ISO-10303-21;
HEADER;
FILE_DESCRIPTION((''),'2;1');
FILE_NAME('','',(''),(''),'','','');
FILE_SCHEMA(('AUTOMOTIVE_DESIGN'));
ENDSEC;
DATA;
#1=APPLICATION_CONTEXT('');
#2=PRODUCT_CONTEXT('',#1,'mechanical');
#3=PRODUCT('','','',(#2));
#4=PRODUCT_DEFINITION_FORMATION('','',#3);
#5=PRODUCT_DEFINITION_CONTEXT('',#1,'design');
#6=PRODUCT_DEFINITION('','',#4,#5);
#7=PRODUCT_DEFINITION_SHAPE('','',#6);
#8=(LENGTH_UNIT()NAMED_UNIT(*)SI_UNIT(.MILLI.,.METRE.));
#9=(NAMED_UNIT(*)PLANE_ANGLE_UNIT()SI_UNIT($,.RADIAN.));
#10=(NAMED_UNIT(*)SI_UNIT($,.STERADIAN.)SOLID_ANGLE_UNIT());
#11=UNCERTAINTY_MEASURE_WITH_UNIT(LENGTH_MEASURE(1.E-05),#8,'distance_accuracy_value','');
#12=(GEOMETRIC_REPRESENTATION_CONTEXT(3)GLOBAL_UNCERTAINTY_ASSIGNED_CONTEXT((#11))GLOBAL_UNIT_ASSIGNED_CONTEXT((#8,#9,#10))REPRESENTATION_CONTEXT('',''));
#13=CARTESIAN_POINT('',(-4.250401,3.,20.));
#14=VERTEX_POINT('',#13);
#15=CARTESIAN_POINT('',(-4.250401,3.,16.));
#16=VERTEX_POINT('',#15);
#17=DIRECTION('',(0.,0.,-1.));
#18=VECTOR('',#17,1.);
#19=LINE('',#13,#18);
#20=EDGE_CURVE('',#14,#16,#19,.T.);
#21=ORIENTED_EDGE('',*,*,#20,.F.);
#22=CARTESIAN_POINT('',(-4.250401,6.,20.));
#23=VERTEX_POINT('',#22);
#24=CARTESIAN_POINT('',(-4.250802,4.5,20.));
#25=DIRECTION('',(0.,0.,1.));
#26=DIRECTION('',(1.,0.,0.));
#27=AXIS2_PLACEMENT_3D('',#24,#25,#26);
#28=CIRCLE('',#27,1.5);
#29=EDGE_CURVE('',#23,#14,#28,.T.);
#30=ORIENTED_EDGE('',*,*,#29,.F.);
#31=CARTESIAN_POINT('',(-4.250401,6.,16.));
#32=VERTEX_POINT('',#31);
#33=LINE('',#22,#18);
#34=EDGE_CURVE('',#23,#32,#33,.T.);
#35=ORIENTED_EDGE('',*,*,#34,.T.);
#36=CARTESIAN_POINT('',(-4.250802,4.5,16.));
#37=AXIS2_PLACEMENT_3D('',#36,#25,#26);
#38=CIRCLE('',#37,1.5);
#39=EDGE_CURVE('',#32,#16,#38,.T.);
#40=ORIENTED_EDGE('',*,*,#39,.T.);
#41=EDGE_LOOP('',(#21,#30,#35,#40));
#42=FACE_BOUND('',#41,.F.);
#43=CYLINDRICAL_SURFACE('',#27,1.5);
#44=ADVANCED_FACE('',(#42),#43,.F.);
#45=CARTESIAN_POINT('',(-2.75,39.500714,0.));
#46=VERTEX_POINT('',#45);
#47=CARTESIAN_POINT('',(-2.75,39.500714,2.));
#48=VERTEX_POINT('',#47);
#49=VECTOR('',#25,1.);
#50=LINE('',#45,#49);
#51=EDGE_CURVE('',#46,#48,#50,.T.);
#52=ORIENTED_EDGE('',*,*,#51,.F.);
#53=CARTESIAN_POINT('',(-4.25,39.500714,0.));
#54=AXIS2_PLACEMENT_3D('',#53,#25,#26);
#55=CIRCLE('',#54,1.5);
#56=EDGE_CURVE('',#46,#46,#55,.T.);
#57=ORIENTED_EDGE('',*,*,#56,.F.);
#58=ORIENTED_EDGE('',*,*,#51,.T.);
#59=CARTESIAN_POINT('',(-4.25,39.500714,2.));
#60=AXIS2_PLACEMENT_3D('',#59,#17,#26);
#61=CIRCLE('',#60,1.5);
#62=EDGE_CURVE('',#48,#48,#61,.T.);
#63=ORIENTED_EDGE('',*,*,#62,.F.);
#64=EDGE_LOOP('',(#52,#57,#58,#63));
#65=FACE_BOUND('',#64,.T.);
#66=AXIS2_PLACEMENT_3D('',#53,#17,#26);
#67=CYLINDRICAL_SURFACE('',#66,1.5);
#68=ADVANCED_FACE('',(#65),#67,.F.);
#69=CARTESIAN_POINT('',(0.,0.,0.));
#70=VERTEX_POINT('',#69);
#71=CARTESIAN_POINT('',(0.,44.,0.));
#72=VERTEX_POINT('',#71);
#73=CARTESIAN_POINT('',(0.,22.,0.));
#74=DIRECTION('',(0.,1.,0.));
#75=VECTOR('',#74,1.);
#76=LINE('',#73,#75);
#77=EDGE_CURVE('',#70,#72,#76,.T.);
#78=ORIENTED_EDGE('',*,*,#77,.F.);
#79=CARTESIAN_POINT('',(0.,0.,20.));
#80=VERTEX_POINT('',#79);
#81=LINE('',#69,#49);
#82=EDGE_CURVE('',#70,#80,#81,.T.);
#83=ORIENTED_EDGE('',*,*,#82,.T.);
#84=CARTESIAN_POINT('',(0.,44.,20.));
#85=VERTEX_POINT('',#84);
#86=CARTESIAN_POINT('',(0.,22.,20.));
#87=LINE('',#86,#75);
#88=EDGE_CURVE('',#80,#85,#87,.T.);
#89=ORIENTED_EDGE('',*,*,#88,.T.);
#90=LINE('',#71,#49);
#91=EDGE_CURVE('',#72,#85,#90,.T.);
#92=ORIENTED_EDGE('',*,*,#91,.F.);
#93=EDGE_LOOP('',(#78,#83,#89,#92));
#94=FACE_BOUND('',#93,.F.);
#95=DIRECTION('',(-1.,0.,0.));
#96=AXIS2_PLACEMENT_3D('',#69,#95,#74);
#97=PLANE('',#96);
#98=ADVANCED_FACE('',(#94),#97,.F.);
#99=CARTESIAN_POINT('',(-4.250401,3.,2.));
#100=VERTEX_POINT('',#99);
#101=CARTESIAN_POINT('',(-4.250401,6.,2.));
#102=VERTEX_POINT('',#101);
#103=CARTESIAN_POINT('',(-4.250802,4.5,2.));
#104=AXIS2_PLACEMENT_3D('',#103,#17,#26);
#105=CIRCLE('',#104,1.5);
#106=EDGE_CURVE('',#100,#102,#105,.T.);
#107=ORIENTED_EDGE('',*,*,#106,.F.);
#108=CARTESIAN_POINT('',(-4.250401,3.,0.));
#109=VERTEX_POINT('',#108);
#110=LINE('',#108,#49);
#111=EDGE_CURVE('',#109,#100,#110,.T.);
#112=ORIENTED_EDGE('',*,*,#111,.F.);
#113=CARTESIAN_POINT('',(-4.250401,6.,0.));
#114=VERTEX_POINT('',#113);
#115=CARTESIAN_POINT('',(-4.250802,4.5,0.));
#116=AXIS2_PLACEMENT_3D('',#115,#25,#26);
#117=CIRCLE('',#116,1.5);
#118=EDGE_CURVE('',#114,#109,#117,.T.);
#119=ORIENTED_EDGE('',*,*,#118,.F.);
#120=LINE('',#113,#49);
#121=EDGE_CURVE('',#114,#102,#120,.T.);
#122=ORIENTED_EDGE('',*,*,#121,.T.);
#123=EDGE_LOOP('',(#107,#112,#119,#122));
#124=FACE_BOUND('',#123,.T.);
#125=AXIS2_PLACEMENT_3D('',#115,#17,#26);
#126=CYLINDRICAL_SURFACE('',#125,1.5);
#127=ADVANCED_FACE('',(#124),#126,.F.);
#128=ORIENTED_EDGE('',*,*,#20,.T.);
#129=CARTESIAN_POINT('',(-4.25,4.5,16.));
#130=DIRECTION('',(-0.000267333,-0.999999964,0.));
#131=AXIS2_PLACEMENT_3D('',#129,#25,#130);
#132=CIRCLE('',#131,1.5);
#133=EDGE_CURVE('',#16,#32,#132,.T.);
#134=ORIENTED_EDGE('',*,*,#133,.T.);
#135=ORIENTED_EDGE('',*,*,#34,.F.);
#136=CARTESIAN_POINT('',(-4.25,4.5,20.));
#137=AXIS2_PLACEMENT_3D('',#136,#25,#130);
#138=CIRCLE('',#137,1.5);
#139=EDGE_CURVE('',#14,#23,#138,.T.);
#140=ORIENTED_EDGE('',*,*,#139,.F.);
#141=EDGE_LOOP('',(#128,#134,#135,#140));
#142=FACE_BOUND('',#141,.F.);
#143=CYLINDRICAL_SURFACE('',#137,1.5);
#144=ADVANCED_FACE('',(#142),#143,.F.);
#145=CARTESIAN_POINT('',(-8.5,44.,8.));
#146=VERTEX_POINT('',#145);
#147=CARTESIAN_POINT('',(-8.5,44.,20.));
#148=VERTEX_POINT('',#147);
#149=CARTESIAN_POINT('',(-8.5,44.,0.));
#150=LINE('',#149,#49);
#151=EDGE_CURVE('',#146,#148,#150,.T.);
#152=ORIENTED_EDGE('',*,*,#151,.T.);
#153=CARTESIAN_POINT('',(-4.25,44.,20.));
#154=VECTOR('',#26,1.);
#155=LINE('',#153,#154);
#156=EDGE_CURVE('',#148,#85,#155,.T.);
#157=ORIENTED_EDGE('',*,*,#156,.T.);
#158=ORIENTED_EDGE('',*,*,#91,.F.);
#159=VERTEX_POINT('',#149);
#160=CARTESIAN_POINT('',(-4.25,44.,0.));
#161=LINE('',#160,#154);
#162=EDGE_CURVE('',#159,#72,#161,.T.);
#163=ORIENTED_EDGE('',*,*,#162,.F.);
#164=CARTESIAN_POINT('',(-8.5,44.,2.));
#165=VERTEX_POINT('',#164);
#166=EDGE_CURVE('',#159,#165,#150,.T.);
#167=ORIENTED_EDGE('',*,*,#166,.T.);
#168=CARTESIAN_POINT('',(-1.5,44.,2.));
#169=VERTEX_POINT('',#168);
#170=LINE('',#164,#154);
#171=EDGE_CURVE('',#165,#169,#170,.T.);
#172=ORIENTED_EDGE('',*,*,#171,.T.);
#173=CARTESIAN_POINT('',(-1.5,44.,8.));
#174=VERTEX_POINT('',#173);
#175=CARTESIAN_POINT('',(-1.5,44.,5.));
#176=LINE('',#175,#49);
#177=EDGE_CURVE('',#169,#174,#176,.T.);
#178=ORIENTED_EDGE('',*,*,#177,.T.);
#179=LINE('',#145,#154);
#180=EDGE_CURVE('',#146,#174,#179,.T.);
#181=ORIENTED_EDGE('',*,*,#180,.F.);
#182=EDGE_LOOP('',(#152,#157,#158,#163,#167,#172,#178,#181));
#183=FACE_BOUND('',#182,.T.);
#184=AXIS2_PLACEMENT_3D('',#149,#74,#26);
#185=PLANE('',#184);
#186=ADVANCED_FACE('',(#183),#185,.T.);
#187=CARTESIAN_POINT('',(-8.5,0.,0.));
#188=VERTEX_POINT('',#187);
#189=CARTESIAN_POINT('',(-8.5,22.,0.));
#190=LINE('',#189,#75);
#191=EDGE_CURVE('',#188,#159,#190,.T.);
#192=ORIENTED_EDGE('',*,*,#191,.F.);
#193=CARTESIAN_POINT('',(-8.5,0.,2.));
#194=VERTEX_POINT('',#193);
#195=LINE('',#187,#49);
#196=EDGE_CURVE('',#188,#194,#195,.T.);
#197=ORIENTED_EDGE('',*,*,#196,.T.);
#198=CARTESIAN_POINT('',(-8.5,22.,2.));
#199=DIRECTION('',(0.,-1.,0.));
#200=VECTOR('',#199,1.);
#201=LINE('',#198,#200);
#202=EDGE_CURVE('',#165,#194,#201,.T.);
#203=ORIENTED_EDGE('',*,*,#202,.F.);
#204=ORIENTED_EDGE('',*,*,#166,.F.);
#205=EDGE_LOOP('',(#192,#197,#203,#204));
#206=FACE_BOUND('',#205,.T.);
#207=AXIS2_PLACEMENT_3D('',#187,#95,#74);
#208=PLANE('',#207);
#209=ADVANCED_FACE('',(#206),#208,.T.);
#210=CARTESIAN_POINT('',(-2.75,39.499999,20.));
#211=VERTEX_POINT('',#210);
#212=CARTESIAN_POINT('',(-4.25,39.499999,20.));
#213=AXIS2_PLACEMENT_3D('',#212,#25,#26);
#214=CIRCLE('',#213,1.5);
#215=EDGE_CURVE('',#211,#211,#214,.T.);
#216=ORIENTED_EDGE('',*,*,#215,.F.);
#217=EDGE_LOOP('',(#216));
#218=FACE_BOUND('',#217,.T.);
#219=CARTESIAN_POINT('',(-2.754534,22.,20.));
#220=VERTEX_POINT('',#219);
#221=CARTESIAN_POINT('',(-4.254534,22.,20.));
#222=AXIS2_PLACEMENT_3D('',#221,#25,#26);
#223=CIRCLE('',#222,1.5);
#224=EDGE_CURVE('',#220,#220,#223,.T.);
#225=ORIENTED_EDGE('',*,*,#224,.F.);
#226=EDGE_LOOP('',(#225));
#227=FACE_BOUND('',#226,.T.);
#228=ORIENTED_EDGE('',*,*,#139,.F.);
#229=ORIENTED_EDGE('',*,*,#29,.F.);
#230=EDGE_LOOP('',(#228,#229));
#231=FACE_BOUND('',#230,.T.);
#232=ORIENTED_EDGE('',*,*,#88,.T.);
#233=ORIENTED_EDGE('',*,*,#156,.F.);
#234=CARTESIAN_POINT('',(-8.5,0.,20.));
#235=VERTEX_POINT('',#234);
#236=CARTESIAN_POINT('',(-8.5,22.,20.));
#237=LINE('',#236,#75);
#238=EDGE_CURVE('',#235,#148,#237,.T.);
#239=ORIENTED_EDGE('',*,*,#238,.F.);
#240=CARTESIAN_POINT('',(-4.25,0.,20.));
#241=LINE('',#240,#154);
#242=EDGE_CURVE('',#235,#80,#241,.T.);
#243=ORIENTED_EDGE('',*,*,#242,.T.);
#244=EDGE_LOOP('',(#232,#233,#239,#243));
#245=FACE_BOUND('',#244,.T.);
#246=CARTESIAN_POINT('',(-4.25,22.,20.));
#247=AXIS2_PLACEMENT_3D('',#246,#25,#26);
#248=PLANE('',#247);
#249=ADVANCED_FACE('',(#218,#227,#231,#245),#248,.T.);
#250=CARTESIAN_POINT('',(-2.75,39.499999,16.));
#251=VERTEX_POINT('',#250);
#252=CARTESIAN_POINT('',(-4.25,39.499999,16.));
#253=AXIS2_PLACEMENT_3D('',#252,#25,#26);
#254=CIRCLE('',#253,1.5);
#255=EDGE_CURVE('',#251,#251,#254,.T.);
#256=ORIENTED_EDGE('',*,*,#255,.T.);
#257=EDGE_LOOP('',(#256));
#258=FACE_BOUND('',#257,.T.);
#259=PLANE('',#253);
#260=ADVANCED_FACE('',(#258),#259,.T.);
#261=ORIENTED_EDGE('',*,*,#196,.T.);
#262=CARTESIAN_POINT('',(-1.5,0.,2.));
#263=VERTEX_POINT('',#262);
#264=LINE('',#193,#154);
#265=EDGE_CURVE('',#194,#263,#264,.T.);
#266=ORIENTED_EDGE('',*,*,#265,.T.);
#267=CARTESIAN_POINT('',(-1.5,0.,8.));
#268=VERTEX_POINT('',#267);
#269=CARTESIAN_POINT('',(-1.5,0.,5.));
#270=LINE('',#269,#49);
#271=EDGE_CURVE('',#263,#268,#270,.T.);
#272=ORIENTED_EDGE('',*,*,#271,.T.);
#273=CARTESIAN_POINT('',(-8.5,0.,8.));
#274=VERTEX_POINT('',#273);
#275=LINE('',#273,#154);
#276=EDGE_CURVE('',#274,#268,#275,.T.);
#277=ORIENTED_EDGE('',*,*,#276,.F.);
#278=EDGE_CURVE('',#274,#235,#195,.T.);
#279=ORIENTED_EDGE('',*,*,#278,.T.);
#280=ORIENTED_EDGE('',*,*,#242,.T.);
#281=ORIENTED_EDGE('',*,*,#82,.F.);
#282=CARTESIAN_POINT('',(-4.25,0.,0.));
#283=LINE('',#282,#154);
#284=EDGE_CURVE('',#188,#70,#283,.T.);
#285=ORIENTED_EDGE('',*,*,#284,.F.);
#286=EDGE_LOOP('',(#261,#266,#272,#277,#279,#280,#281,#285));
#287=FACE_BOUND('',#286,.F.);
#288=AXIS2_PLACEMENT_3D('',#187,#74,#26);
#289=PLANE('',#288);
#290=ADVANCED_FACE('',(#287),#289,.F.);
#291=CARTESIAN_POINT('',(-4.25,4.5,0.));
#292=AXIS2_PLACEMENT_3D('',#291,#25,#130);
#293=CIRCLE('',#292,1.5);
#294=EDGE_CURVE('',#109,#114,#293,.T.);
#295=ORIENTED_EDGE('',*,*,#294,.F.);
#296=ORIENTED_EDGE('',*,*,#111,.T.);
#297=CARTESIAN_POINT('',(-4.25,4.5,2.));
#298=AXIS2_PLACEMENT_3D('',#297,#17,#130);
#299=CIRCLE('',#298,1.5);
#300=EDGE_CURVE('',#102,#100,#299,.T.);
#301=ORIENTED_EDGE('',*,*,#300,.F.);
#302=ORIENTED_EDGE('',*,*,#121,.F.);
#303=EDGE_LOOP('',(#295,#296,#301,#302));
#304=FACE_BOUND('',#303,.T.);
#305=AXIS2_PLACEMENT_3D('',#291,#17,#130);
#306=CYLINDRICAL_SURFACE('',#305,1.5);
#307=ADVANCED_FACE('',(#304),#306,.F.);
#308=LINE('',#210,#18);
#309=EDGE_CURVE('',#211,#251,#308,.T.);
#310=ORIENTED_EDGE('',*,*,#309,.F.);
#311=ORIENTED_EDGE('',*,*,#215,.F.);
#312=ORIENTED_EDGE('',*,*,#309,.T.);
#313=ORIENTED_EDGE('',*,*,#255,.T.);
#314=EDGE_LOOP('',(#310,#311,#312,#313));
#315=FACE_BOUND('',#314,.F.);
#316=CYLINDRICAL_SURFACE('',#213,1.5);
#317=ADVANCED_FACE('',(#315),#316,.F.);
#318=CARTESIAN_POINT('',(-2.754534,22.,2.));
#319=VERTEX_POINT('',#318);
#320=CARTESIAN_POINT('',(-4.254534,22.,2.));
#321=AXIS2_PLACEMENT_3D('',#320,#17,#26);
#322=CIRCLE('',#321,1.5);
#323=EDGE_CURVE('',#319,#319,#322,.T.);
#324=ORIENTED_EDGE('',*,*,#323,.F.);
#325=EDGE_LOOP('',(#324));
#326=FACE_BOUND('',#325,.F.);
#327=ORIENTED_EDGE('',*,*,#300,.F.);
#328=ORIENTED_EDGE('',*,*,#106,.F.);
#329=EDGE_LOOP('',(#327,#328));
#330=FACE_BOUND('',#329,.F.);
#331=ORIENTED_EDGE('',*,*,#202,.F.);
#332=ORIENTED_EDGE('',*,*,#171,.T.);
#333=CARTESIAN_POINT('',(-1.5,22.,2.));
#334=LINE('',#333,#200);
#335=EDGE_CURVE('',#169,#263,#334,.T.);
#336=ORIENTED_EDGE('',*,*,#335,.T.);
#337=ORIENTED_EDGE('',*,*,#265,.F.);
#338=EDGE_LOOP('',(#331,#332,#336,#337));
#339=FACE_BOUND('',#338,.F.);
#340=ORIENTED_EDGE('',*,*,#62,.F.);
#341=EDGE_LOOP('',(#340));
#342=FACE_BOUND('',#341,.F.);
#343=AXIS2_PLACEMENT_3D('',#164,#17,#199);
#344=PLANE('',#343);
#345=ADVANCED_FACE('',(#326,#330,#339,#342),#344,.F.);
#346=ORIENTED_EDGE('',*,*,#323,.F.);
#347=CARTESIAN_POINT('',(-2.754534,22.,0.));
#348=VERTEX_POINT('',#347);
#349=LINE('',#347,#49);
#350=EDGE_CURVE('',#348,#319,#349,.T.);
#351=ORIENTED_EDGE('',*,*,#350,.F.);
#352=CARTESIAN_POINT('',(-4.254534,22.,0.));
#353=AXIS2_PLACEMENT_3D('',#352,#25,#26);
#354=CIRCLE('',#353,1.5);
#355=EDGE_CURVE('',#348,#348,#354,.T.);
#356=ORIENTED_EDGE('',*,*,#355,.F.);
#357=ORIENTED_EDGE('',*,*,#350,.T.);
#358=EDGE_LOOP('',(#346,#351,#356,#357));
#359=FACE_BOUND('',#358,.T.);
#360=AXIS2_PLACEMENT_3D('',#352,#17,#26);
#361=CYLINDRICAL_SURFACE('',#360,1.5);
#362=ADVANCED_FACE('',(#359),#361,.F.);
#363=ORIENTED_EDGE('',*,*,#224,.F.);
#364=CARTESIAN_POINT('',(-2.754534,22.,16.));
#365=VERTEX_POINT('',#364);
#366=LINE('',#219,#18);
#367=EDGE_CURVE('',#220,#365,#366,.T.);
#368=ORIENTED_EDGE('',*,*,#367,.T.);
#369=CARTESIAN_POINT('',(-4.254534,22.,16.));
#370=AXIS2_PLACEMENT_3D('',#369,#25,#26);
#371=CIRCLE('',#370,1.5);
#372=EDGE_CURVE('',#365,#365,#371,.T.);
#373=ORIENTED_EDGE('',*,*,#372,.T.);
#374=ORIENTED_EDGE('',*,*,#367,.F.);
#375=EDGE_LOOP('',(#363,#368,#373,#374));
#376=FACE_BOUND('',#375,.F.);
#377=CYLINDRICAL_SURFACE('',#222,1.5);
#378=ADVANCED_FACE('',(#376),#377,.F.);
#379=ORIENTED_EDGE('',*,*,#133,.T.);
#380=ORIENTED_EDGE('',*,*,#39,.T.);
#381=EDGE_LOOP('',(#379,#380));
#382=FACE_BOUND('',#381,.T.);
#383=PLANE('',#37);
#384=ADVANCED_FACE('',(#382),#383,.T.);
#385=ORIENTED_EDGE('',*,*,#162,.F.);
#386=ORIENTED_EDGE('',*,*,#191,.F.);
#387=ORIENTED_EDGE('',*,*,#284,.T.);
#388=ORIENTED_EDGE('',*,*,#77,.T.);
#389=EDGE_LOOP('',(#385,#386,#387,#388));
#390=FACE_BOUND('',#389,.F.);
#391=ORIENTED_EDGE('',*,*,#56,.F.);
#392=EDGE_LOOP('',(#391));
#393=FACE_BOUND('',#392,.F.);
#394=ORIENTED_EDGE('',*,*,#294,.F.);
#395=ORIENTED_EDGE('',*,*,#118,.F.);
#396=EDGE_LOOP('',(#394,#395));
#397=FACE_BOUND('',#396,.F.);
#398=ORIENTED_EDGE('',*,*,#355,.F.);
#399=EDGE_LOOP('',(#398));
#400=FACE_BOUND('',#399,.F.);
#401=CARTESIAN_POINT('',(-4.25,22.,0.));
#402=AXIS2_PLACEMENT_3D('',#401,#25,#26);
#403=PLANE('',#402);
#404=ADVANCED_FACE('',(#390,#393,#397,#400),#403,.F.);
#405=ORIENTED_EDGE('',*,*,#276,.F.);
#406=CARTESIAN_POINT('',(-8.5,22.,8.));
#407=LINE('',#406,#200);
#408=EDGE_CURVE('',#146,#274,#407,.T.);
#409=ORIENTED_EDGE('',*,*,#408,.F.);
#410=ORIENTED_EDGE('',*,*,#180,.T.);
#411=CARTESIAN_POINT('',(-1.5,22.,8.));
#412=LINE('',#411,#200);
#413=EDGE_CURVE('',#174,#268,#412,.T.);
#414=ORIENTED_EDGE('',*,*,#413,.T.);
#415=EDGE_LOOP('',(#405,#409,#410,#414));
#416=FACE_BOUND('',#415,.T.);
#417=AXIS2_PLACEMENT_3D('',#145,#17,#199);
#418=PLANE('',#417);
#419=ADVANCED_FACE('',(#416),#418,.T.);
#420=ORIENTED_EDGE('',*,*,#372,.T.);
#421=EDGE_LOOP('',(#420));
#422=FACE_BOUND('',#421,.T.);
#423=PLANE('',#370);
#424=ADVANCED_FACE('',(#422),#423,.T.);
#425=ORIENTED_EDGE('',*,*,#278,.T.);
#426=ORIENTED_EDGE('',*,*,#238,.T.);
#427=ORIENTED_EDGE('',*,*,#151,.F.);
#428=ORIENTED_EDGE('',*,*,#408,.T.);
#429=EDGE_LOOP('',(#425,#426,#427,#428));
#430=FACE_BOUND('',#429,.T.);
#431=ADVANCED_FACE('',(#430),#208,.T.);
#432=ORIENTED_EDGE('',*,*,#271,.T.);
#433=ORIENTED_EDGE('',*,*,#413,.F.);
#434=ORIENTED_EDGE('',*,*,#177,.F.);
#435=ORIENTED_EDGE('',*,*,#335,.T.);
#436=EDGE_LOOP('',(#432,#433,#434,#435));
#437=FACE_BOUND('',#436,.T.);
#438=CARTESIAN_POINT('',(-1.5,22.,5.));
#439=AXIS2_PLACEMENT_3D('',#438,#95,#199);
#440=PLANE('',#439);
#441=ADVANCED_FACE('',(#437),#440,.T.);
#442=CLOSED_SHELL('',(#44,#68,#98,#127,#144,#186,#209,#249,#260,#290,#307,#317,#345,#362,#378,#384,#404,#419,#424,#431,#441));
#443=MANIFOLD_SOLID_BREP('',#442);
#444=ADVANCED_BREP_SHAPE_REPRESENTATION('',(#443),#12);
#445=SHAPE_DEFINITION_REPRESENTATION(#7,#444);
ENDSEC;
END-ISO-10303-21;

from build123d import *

# Parameters (mm, degrees)
SKETCH029_W   = 8.5
SKETCH029_H   = 44
PAD002_DEPTH  = 20
SKETCH023_R   = 1.5
HOLE004_DEPTH = 4
SKETCH032_R   = 1.5
HOLE006_DEPTH = 4
SKETCH034_W   = 44
SKETCH034_H   = 6
POCKET_DEPTH  = 7


with BuildPart() as part:
    # Sketch029 → Pad002 (new body)
    with BuildSketch(Plane.XY):
        with Locations((-4.25, 22)):
            Rectangle(SKETCH029_W, SKETCH029_H)
    extrude(amount=PAD002_DEPTH)

    # Sketch023 → Hole004 (cut)
    with BuildSketch(Plane.XY):
        with Locations((-4.250802, 4.5)):
            Circle(SKETCH023_R)
        with Locations((-4.25, 39.500714)):
            Circle(SKETCH023_R)
        with Locations((-4.254534, 22)):
            Circle(SKETCH023_R)
        with Locations((-4.25, 4.5)):
            Circle(SKETCH023_R)
    extrude(amount=HOLE004_DEPTH, mode=Mode.SUBTRACT)

    # Sketch032 (on Face5 of Hole004) → Hole006 (cut)
    with BuildSketch(Plane.XY.offset(20)):
        with Locations((-4.250802, 4.5)):
            Circle(SKETCH032_R)
        with Locations((-4.25, 39.499999)):
            Circle(SKETCH032_R)
        with Locations((-4.254534, 22)):
            Circle(SKETCH032_R)
        with Locations((-4.25, 4.5)):
            Circle(SKETCH032_R)
    extrude(amount=-HOLE006_DEPTH, mode=Mode.SUBTRACT)

    # Sketch034 (on Face3 of Hole006) → Pocket (cut)
    with BuildSketch(Plane(origin=(-8.5, 0, 0), x_dir=(0, -1, 0), z_dir=(-1, 0, 0))):
        with Locations((-22, 5)):
            Rectangle(SKETCH034_W, SKETCH034_H)
    extrude(amount=-POCKET_DEPTH, mode=Mode.SUBTRACT)


solid = part.part
